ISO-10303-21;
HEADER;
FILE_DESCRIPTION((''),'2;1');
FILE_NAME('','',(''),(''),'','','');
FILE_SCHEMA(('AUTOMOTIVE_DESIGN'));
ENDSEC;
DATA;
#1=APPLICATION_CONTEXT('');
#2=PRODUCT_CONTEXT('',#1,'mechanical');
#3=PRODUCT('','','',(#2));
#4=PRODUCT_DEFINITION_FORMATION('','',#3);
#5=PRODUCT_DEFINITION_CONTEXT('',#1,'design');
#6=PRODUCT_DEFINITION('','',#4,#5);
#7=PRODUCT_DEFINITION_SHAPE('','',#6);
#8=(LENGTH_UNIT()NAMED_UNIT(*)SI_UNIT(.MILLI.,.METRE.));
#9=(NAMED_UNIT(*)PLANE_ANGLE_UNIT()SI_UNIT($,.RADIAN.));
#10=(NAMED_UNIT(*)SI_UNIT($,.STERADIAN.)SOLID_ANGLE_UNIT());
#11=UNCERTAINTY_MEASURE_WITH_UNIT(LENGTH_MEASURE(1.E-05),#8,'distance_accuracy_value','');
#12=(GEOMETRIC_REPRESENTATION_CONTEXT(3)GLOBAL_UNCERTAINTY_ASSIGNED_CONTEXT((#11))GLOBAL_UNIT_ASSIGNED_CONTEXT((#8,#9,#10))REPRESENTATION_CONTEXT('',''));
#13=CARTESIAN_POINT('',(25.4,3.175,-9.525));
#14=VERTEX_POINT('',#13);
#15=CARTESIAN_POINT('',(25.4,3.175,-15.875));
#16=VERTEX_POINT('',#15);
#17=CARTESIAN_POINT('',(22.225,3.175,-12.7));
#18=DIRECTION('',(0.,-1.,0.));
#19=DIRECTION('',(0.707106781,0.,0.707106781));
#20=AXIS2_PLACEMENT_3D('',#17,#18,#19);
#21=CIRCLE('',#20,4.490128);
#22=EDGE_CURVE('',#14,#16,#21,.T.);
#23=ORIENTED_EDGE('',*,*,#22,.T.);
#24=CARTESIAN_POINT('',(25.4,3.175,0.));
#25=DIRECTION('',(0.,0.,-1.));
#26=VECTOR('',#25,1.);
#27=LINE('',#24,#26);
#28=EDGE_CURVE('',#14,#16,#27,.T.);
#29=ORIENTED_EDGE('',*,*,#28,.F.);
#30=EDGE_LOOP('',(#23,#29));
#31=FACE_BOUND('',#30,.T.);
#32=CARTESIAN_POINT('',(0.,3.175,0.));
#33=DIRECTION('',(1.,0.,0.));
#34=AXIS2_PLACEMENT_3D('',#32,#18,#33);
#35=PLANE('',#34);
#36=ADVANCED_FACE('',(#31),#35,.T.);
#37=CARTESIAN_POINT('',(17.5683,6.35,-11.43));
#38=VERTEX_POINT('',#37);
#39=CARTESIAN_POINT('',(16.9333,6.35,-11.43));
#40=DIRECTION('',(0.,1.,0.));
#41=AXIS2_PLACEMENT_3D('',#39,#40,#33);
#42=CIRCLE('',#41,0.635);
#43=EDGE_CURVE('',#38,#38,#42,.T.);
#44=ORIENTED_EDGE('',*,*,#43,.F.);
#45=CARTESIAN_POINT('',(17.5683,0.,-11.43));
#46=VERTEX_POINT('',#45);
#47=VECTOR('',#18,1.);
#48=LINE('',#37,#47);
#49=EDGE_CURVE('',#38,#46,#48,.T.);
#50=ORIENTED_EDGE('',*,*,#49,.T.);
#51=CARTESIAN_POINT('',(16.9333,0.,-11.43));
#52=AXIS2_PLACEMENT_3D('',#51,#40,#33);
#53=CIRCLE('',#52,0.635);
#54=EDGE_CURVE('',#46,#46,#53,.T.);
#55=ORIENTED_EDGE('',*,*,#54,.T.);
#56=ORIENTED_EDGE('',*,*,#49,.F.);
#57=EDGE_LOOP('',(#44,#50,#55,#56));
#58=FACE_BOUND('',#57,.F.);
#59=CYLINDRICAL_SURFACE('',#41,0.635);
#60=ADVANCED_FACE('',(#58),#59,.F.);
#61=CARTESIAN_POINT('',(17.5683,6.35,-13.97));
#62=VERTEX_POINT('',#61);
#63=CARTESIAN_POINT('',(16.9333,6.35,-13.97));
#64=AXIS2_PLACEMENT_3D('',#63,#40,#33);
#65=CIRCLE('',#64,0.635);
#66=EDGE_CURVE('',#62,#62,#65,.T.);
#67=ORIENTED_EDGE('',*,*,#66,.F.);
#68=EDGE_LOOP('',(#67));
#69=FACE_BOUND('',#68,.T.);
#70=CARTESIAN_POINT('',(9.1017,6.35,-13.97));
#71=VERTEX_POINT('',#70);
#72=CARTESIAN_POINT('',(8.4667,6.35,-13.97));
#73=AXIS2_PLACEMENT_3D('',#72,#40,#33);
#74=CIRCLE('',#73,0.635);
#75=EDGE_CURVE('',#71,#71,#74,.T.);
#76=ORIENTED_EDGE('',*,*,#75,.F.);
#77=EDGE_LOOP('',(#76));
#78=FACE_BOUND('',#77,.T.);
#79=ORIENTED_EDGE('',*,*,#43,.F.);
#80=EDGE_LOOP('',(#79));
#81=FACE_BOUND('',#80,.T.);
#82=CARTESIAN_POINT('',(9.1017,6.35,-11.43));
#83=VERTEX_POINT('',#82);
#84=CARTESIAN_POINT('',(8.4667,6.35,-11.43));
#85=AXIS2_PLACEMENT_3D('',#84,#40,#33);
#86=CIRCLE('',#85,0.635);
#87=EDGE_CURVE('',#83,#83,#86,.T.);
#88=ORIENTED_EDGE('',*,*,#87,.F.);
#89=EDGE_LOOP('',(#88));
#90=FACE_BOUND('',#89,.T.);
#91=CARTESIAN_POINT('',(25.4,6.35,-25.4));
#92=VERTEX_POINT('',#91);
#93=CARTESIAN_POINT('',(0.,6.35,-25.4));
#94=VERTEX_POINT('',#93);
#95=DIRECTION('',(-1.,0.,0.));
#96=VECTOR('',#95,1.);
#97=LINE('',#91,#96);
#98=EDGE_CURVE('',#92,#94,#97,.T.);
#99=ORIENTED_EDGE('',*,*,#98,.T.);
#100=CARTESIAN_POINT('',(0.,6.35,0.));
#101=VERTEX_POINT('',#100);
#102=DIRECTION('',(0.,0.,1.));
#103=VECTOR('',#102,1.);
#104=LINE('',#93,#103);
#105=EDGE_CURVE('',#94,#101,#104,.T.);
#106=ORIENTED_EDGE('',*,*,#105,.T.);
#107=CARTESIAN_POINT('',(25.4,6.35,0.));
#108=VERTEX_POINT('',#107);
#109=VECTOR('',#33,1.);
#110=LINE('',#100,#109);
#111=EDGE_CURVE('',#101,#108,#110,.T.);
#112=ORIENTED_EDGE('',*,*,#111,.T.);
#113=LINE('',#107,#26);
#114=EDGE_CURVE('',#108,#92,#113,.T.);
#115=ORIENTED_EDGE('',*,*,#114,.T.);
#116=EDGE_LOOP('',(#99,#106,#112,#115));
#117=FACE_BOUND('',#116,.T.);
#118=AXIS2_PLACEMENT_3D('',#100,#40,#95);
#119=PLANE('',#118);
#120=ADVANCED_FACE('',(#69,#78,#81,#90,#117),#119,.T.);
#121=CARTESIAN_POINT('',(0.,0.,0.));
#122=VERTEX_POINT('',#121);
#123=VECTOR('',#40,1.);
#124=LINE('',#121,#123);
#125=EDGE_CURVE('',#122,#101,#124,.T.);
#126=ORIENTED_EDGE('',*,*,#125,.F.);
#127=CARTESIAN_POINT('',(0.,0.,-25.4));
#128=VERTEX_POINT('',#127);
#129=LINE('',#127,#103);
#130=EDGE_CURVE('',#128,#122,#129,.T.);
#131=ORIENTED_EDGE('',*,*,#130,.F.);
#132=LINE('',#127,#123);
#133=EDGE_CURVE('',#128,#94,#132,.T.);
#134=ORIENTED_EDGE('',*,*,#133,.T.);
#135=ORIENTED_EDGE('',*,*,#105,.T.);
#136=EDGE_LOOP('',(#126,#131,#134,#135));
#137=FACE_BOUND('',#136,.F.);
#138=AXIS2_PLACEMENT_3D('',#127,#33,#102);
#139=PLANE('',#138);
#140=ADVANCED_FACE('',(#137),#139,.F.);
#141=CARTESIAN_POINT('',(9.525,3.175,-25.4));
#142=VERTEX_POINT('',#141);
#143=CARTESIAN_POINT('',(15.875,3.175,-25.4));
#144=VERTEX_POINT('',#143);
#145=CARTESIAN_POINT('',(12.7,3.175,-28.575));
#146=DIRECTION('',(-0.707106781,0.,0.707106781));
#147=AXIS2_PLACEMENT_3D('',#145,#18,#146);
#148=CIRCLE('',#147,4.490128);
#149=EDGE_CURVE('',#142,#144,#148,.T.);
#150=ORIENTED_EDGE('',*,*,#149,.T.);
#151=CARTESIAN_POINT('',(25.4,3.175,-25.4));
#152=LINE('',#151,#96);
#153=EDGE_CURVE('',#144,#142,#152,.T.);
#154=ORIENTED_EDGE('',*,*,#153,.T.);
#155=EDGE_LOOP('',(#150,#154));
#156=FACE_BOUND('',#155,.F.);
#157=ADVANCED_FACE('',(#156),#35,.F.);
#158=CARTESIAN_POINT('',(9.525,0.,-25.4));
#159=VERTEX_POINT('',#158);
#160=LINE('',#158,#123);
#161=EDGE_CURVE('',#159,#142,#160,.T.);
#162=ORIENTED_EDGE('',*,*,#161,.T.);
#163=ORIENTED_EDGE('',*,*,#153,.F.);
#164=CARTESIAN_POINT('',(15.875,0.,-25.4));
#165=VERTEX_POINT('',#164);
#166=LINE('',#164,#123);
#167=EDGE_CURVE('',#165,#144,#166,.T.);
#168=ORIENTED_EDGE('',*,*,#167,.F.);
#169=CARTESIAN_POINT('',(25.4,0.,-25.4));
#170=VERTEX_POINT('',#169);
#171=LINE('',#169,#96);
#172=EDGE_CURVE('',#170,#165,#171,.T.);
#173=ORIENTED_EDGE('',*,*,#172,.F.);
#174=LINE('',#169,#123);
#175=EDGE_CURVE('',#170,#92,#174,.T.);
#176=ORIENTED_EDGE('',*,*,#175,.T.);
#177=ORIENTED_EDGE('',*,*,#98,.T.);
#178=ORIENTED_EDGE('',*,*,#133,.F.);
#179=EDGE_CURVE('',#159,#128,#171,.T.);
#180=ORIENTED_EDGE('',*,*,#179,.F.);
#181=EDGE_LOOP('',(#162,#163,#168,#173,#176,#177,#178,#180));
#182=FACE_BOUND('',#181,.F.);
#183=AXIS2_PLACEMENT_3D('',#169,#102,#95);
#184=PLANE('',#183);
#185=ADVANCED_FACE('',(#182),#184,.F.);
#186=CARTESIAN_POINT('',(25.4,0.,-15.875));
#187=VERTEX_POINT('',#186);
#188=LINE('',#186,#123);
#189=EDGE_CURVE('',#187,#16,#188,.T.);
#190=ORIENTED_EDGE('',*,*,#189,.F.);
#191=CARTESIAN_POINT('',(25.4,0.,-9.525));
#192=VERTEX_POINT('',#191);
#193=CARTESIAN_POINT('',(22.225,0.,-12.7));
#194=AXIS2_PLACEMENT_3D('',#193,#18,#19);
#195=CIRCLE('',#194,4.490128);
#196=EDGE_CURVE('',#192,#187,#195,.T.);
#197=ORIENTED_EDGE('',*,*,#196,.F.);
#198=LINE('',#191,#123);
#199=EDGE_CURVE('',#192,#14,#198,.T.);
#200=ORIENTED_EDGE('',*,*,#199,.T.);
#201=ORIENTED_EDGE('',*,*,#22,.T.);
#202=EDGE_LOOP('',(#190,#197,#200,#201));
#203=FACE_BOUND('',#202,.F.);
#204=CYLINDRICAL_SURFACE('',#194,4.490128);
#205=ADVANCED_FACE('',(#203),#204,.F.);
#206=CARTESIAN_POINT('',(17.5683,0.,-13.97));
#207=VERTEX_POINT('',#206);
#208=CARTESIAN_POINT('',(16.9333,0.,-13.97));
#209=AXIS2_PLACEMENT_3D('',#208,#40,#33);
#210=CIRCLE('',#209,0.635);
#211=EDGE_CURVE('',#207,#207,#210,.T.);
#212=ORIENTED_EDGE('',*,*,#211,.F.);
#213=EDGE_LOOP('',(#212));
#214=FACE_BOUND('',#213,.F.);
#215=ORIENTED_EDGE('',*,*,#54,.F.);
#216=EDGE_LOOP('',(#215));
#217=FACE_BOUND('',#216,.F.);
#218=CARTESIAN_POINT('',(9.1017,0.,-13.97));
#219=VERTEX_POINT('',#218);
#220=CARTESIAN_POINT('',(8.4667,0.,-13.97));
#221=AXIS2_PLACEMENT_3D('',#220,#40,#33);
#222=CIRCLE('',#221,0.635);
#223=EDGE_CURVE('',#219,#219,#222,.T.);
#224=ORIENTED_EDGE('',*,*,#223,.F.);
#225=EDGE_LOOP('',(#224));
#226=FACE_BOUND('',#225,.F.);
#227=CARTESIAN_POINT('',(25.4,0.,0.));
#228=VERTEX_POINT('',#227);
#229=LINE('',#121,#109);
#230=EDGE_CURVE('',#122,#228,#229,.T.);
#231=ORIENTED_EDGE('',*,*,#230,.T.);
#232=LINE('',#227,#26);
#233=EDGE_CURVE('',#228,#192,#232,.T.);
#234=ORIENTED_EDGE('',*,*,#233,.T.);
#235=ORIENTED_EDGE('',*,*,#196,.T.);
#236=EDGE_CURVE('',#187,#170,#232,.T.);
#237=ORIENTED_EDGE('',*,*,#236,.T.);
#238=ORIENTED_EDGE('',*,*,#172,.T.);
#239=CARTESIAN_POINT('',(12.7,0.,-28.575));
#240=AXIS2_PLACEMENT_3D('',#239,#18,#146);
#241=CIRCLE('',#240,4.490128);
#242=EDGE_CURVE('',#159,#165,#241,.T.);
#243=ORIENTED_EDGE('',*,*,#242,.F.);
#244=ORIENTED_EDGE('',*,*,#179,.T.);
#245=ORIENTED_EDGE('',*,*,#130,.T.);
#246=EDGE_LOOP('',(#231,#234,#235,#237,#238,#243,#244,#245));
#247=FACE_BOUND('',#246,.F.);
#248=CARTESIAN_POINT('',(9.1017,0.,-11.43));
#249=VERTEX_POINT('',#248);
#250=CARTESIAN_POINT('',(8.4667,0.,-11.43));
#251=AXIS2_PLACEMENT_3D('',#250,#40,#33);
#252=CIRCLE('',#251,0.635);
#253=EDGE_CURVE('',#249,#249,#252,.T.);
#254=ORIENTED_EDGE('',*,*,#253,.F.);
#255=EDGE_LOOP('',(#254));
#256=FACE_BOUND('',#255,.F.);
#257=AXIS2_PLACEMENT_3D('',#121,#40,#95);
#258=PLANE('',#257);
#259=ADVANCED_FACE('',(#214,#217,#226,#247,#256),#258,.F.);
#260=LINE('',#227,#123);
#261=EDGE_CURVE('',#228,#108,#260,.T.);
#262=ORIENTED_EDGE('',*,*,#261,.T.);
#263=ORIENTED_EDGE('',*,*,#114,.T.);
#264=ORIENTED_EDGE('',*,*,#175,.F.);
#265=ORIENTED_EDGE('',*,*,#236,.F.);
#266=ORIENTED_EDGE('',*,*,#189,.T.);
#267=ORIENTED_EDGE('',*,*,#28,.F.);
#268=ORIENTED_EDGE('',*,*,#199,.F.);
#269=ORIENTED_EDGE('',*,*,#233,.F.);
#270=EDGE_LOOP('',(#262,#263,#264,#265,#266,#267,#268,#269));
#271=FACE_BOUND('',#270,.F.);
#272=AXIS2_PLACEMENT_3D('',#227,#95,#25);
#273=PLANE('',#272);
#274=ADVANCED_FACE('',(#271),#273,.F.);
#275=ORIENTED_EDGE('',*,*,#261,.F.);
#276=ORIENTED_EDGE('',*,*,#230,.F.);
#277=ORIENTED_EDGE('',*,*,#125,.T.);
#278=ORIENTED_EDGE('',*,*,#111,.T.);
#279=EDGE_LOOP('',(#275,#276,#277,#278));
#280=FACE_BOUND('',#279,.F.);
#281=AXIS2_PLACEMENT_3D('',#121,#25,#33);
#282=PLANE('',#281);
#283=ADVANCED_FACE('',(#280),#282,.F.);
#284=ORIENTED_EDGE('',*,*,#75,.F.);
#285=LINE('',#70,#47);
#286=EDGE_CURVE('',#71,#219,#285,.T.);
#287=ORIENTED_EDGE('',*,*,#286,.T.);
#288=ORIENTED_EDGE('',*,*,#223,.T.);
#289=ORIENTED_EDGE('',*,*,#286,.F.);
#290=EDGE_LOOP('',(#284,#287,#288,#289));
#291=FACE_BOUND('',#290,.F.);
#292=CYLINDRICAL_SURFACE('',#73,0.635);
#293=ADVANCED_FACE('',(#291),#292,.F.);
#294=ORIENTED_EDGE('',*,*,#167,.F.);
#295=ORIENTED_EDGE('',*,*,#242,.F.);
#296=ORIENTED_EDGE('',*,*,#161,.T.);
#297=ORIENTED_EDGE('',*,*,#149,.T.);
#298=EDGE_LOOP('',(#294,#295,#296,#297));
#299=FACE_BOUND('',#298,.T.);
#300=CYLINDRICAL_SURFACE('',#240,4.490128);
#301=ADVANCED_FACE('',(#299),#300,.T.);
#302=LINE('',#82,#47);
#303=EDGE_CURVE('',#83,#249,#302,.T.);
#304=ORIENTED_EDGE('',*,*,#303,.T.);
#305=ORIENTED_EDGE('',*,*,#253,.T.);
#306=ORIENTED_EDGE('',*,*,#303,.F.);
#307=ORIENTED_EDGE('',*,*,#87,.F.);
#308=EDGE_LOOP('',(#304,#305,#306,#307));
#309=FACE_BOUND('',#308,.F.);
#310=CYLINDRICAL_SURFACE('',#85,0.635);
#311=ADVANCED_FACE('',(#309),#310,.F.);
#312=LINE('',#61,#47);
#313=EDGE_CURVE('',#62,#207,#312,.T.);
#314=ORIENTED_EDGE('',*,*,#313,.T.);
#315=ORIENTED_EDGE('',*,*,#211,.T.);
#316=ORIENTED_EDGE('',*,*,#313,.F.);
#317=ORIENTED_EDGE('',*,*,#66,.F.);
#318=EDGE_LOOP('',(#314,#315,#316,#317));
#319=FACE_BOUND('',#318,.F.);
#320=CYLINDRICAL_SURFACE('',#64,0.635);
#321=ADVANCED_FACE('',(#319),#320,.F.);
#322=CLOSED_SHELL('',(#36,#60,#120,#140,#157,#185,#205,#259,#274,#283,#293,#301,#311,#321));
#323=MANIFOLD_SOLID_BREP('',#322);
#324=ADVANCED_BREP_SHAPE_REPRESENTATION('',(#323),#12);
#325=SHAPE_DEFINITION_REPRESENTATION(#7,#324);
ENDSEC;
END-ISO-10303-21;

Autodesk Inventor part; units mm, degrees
ref_plane "YZ Plane" through (0, 0, 0) normal (1, 0, 0) x (0, 1, 0)
ref_plane "XZ Plane" through (0, 0, 0) normal (0, 1, 0) x (-1, 0, 0)
ref_plane "XY Plane" through (0, 0, 0) normal (0, 0, 1) x (1, 0, 0)
sketch "Sketch1" plane through (0, 0, 0) normal (0, 1, 0) x (-1, 0, 0)
  line L0 (0, 0) -> (-25.4, 0)
  line L1 (-25.4, 0) -> (-25.4, -25.4)
  line L2 (-25.4, -25.4) -> (0, -25.4)
  line L3 (0, -25.4) -> (0, 0)
  dimension "d0" = 25.4
extrude "Extrusion1" add sketch "Sketch1" along normal blind 6.35
sketch "Sketch2" plane through (0, 6.35, 0) normal (0, 1, 0) x (1, 0, 0)
  circle A0 centre (8.4667, 13.97) radius 0.635
  circle A1 centre (16.9333, 13.97) radius 0.635
  circle A2 centre (16.9333, 11.43) radius 0.635
  circle A3 centre (8.4667, 11.43) radius 0.635
  line L0 (25.4, 0) -> (25.4, 25.4) projected
  line L1 (0, 0) -> (25.4, 0) projected
  dimension "d3" = 8.4667
  dimension "d4" = 8.4667
  dimension "d5" = 2.54
  dimension "d6" = 1.27
  dimension "d7" = 11.43
extrude "Extrusion2" cut sketch "Sketch2" against normal blind 6.35
sketch "Sketch4" plane through (0, 0, 0) normal (0, -1, 0) x (1, 0, 0)
  line L0 (25.4, -25.4) -> (0, -25.4) projected
  arc A0 (9.525, -25.4) -> (15.875, -25.4) centre (12.7, -28.575) ccw
  line L1 (15.875, -25.4) -> (9.525, -25.4)
  point P0 (0, 0)
  dimension "d10" = 90
  dimension "d11" = 6.35
  dimension "d12" = 9.525
extrude "Extrusion3" add sketch "Sketch4" against normal blind 3.175
sketch "Sketch6" plane through (0, 0, 0) normal (0, -1, 0) x (1, 0, 0)
  line L0 (25.4, 0) -> (25.4, -25.4) projected
  arc A0 (25.4, -9.525) -> (25.4, -15.875) centre (22.225, -12.7) ccw
  line L1 (25.4, -15.875) -> (25.4, -9.525)
  point P0 (0, 0)
  dimension "d21" = 6.35
  dimension "d22" = 90
  dimension "d23" = 9.525
extrude "Extrusion5" cut sketch "Sketch6" against normal blind 3.175
equation "\"d1\" = 0.25 * d0"
equation "\"d3\" = 0.333333 * d0"
equation "\"d4\" = d3"
equation "\"d8\" = 0.25 * d0"
equation "\"d11\" = 0.25 * d0"
equation "\"d12\" = 0.375 * d0"
equation "\"d13\" = 0.5 * d1"
equation "\"d21\" = 0.25 * d0"
equation "\"d23\" = 0.375 * d0"
equation "\"d24\" = 0.5 * d1"
properties part number "pieceBase"
